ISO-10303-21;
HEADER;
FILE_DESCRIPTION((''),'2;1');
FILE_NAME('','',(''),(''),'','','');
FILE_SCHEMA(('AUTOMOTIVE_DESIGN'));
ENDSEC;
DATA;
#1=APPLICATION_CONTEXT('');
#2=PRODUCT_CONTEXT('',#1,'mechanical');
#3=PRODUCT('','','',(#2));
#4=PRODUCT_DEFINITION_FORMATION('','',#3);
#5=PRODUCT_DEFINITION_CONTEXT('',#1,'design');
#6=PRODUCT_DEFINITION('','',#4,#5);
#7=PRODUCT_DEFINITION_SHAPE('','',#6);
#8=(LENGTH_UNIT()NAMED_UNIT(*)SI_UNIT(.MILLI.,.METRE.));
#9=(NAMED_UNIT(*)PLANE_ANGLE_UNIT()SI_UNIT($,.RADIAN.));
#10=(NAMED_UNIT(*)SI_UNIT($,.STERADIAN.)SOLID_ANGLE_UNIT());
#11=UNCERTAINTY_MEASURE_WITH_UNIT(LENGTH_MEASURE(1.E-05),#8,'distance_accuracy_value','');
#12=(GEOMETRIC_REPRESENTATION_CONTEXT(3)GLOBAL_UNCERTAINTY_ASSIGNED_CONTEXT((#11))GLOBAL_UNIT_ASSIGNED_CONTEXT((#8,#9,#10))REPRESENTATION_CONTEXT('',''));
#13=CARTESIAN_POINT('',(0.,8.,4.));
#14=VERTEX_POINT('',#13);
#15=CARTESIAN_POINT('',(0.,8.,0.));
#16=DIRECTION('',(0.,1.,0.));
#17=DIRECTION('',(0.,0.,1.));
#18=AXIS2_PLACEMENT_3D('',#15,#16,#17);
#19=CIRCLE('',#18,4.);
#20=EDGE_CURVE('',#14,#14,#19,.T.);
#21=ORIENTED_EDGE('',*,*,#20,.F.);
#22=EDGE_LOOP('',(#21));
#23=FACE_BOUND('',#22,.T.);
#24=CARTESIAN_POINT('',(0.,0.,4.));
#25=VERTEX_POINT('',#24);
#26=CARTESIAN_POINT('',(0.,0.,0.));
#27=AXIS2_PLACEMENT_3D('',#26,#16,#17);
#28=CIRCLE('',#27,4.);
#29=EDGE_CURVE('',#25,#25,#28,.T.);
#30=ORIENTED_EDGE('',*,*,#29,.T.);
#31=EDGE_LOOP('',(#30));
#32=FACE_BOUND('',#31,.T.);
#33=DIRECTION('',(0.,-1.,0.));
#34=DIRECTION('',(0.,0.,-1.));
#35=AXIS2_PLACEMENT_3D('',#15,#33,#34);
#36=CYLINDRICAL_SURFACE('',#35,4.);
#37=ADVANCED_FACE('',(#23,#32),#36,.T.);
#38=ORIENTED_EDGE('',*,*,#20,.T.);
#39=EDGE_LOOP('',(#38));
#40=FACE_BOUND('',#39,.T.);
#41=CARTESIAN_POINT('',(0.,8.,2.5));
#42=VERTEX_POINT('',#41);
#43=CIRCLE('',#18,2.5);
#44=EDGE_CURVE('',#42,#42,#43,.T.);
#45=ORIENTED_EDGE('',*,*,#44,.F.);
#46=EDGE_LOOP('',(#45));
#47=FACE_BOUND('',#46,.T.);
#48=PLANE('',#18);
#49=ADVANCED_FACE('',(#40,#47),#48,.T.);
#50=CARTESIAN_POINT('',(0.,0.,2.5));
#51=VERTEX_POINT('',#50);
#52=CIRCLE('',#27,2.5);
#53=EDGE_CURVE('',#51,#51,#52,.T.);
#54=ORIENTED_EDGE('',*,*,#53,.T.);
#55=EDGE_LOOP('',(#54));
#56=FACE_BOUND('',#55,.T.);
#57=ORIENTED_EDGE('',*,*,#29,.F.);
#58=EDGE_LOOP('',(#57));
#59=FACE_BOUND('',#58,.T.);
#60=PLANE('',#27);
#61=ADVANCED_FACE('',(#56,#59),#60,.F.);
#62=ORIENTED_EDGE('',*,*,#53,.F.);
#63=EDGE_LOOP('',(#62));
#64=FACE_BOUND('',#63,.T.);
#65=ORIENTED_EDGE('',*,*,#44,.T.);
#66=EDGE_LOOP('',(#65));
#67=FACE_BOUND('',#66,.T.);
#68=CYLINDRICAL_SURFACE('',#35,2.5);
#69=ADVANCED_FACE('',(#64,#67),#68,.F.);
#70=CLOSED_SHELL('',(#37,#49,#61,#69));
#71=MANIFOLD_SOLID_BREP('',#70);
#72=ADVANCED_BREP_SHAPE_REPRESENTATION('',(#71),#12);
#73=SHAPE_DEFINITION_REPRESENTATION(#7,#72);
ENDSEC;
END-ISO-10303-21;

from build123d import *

# Parameters (mm, degrees)
SKETCH1_R           = 4
SKETCH1_R_2         = 2.5
BOSS_EXTRUDE1_DEPTH = 8


with BuildPart() as part:
    # Sketch1 → Boss-Extrude1 (new body)
    with BuildSketch(Plane(origin=(0, 0, 0), x_dir=(1, 0, 0), z_dir=(0, 1, 0))):
        with Locations(Location((0, 0, 0), (0, 0, 270))):
            Circle(SKETCH1_R)
        with Locations(Location((0, 0, 0), (0, 0, 270))):
            Circle(SKETCH1_R_2, mode=Mode.SUBTRACT)
    extrude(amount=BOSS_EXTRUDE1_DEPTH)


solid = part.part
